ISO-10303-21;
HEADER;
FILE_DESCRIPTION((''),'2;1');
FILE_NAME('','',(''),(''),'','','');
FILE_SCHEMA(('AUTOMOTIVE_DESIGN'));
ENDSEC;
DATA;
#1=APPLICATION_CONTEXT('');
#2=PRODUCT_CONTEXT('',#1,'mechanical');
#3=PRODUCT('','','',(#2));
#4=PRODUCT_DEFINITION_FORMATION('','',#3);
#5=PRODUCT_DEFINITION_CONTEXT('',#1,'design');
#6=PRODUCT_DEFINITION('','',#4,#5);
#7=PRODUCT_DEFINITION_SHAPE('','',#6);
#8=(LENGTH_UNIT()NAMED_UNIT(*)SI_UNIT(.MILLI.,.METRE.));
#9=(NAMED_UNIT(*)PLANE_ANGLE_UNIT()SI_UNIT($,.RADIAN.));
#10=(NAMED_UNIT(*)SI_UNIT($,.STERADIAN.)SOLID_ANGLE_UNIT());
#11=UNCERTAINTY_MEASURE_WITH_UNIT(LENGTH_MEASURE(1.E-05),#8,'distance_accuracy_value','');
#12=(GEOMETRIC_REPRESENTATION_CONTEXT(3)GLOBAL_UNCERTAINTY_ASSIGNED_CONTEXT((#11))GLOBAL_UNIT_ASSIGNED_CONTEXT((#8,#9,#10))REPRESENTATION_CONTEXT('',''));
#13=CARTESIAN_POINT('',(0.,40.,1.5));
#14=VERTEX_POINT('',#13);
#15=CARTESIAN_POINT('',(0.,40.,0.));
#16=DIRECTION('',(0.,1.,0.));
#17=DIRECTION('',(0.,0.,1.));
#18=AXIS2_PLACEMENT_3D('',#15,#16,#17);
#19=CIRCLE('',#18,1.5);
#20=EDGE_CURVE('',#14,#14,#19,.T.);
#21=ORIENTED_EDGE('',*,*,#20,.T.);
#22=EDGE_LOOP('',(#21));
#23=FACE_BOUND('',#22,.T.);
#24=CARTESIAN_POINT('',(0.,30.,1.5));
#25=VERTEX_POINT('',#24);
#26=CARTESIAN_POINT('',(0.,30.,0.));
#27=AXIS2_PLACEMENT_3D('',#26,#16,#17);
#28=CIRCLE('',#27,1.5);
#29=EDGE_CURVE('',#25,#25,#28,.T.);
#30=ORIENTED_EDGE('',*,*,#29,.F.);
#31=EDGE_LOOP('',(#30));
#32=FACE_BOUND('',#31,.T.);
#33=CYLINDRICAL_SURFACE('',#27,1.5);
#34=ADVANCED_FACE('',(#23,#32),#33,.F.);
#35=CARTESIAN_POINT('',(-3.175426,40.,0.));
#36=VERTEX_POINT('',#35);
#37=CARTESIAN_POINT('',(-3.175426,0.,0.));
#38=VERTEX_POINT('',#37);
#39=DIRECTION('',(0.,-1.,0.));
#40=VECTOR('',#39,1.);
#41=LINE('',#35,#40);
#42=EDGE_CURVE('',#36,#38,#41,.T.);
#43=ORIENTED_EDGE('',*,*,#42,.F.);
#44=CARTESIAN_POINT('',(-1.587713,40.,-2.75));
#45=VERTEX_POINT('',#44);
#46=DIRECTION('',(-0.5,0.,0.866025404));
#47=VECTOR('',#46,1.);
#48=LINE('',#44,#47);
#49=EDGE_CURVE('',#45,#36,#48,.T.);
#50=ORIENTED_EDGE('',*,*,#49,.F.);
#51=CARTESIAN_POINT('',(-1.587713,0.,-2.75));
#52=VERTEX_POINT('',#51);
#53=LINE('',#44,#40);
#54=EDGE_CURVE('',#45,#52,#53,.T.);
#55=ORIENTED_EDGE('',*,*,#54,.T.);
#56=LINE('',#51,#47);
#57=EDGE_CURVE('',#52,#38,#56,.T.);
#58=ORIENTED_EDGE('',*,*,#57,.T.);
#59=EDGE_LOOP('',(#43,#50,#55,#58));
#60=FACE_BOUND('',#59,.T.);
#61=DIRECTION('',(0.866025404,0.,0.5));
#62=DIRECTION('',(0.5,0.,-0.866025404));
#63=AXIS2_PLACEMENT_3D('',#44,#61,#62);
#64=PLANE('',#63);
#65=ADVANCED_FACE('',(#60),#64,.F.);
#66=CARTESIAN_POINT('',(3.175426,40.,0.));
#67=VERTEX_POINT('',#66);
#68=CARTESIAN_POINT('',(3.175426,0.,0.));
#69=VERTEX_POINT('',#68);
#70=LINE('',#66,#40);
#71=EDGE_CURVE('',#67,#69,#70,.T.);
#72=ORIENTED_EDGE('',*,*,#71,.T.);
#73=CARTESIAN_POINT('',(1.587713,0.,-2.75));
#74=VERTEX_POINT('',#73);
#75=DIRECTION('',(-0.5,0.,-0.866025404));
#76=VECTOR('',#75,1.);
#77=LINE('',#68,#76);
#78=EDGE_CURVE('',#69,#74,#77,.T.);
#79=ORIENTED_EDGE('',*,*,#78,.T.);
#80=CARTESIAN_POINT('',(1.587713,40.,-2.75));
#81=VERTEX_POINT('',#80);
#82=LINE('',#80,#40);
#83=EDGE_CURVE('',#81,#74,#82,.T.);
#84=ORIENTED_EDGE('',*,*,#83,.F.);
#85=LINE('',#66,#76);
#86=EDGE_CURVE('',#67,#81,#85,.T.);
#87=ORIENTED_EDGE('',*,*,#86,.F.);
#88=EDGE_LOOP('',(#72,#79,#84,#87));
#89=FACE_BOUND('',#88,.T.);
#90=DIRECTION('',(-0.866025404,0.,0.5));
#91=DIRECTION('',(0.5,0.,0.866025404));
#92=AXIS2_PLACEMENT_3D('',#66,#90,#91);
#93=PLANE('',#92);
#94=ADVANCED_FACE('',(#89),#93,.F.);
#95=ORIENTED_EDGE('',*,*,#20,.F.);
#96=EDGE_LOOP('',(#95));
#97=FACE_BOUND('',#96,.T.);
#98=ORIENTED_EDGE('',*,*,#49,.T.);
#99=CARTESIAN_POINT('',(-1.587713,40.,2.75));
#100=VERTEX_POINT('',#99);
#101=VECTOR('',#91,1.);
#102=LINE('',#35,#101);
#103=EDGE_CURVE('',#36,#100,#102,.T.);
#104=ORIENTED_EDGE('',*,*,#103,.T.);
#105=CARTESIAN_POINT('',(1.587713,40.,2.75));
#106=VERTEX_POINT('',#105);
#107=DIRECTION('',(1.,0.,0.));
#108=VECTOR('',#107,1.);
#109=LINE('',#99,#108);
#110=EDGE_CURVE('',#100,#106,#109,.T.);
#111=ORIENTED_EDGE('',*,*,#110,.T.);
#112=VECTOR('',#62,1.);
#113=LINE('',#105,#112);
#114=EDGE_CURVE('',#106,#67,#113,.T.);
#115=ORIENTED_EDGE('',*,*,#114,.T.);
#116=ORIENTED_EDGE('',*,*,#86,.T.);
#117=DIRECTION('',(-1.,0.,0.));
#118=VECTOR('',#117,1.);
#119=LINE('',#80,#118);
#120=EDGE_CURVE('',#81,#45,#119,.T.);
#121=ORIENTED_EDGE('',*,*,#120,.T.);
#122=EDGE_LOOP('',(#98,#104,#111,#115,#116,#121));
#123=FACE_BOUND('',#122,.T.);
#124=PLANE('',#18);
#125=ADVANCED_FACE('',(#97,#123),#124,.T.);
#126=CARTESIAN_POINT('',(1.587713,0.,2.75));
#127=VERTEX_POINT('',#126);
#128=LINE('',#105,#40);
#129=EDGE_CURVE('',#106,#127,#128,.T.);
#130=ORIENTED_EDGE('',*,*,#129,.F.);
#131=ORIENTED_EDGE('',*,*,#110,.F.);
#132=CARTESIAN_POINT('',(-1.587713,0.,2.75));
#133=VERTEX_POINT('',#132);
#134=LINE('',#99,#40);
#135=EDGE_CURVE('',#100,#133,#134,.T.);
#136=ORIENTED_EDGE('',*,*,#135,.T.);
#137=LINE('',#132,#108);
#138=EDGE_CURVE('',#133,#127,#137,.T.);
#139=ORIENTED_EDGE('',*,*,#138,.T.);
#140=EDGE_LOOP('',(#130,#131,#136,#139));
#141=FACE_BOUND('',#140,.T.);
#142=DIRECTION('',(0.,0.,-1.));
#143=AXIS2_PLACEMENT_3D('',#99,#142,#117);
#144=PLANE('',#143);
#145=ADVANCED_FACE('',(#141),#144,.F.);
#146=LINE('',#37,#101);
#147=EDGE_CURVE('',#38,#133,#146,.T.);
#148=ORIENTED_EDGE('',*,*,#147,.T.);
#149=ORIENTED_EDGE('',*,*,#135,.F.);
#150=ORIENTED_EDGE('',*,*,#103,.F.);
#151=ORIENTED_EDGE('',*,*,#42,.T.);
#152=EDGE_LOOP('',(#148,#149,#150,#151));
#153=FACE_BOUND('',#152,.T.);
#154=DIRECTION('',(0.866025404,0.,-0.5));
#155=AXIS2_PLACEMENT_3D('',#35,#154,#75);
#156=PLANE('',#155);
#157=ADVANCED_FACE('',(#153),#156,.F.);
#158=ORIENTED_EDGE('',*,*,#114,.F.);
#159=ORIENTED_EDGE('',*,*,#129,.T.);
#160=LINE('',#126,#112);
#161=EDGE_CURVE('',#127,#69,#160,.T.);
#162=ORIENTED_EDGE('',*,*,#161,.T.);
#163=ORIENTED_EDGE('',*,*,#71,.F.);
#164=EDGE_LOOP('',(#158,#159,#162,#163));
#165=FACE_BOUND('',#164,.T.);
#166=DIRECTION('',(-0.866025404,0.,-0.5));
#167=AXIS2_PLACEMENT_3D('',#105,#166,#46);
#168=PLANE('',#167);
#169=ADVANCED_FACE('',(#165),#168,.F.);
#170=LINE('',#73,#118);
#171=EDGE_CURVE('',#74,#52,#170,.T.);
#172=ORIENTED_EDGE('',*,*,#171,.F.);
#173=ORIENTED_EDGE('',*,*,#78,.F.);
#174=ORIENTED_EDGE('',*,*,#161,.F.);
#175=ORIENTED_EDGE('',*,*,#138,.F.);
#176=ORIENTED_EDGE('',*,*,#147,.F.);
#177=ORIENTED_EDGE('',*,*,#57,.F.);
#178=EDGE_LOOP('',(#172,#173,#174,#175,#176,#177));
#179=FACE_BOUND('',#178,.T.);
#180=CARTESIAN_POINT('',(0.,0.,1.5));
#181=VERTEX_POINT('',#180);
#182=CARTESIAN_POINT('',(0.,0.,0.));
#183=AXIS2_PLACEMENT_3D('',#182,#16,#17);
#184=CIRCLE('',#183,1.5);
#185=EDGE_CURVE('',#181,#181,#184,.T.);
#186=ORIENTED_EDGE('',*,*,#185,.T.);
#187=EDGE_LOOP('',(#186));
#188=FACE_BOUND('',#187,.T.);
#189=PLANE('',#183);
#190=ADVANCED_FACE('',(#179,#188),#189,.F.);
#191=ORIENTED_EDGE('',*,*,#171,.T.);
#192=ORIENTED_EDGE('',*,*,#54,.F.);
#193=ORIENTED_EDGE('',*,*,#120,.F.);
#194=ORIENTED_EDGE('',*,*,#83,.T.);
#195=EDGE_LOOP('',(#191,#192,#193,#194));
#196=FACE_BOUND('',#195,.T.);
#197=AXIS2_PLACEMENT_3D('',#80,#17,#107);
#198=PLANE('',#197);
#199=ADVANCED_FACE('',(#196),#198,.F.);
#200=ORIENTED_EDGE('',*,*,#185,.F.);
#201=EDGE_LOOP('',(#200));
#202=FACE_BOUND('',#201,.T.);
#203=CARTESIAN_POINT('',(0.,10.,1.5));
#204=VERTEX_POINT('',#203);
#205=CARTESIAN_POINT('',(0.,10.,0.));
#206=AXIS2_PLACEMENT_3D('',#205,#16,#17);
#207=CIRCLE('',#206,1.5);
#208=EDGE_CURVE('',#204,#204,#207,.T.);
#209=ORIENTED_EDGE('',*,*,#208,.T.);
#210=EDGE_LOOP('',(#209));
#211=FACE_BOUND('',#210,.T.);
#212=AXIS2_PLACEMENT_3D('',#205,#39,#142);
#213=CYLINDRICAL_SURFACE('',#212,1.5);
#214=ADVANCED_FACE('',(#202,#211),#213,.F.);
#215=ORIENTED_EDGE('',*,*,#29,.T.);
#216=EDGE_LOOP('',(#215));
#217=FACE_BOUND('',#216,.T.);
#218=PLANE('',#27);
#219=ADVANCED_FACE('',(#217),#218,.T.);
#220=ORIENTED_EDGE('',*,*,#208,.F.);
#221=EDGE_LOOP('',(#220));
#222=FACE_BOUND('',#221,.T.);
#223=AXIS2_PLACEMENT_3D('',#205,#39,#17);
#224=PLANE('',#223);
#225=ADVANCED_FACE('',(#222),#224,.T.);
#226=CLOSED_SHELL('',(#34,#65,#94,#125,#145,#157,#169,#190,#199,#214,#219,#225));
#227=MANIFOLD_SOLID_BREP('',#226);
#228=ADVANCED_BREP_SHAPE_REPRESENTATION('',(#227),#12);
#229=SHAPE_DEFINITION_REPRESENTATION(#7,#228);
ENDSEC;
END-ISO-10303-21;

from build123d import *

# Parameters (mm, degrees)
BOSS_EXTRUDE1_DEPTH = 40
SKETCH2_R           = 1.5
CUT_EXTRUDE1_DEPTH  = 10


with BuildPart() as part:
    # Sketch1 → Boss-Extrude1 (new body)
    with BuildSketch(Plane(origin=(0, 0, 0), x_dir=(1, 0, 0), z_dir=(0, 1, 0))):
        Polygon((3.175426481, 0), (1.58771324, 2.75), (-1.58771324, 2.75), (-3.175426481, 0), (-1.58771324, -2.75), (1.58771324, -2.75), align=None)
    extrude(amount=BOSS_EXTRUDE1_DEPTH)

    # Sketch2 → Cut-Extrude1 (cut)
    with BuildSketch(Plane(origin=(0, 40, 0), x_dir=(1, 0, 0), z_dir=(0, 1, 0))):
        Circle(SKETCH2_R)
    cut_extrude1 = extrude(amount=-CUT_EXTRUDE1_DEPTH, mode=Mode.SUBTRACT)

    # Mirror1: Cut-Extrude1 across plane
    add(cut_extrude1.mirror(Plane(origin=(0, 20, 0), x_dir=(0, 0, 1), z_dir=(0, -1, 0))), mode=Mode.SUBTRACT)


solid = part.part
